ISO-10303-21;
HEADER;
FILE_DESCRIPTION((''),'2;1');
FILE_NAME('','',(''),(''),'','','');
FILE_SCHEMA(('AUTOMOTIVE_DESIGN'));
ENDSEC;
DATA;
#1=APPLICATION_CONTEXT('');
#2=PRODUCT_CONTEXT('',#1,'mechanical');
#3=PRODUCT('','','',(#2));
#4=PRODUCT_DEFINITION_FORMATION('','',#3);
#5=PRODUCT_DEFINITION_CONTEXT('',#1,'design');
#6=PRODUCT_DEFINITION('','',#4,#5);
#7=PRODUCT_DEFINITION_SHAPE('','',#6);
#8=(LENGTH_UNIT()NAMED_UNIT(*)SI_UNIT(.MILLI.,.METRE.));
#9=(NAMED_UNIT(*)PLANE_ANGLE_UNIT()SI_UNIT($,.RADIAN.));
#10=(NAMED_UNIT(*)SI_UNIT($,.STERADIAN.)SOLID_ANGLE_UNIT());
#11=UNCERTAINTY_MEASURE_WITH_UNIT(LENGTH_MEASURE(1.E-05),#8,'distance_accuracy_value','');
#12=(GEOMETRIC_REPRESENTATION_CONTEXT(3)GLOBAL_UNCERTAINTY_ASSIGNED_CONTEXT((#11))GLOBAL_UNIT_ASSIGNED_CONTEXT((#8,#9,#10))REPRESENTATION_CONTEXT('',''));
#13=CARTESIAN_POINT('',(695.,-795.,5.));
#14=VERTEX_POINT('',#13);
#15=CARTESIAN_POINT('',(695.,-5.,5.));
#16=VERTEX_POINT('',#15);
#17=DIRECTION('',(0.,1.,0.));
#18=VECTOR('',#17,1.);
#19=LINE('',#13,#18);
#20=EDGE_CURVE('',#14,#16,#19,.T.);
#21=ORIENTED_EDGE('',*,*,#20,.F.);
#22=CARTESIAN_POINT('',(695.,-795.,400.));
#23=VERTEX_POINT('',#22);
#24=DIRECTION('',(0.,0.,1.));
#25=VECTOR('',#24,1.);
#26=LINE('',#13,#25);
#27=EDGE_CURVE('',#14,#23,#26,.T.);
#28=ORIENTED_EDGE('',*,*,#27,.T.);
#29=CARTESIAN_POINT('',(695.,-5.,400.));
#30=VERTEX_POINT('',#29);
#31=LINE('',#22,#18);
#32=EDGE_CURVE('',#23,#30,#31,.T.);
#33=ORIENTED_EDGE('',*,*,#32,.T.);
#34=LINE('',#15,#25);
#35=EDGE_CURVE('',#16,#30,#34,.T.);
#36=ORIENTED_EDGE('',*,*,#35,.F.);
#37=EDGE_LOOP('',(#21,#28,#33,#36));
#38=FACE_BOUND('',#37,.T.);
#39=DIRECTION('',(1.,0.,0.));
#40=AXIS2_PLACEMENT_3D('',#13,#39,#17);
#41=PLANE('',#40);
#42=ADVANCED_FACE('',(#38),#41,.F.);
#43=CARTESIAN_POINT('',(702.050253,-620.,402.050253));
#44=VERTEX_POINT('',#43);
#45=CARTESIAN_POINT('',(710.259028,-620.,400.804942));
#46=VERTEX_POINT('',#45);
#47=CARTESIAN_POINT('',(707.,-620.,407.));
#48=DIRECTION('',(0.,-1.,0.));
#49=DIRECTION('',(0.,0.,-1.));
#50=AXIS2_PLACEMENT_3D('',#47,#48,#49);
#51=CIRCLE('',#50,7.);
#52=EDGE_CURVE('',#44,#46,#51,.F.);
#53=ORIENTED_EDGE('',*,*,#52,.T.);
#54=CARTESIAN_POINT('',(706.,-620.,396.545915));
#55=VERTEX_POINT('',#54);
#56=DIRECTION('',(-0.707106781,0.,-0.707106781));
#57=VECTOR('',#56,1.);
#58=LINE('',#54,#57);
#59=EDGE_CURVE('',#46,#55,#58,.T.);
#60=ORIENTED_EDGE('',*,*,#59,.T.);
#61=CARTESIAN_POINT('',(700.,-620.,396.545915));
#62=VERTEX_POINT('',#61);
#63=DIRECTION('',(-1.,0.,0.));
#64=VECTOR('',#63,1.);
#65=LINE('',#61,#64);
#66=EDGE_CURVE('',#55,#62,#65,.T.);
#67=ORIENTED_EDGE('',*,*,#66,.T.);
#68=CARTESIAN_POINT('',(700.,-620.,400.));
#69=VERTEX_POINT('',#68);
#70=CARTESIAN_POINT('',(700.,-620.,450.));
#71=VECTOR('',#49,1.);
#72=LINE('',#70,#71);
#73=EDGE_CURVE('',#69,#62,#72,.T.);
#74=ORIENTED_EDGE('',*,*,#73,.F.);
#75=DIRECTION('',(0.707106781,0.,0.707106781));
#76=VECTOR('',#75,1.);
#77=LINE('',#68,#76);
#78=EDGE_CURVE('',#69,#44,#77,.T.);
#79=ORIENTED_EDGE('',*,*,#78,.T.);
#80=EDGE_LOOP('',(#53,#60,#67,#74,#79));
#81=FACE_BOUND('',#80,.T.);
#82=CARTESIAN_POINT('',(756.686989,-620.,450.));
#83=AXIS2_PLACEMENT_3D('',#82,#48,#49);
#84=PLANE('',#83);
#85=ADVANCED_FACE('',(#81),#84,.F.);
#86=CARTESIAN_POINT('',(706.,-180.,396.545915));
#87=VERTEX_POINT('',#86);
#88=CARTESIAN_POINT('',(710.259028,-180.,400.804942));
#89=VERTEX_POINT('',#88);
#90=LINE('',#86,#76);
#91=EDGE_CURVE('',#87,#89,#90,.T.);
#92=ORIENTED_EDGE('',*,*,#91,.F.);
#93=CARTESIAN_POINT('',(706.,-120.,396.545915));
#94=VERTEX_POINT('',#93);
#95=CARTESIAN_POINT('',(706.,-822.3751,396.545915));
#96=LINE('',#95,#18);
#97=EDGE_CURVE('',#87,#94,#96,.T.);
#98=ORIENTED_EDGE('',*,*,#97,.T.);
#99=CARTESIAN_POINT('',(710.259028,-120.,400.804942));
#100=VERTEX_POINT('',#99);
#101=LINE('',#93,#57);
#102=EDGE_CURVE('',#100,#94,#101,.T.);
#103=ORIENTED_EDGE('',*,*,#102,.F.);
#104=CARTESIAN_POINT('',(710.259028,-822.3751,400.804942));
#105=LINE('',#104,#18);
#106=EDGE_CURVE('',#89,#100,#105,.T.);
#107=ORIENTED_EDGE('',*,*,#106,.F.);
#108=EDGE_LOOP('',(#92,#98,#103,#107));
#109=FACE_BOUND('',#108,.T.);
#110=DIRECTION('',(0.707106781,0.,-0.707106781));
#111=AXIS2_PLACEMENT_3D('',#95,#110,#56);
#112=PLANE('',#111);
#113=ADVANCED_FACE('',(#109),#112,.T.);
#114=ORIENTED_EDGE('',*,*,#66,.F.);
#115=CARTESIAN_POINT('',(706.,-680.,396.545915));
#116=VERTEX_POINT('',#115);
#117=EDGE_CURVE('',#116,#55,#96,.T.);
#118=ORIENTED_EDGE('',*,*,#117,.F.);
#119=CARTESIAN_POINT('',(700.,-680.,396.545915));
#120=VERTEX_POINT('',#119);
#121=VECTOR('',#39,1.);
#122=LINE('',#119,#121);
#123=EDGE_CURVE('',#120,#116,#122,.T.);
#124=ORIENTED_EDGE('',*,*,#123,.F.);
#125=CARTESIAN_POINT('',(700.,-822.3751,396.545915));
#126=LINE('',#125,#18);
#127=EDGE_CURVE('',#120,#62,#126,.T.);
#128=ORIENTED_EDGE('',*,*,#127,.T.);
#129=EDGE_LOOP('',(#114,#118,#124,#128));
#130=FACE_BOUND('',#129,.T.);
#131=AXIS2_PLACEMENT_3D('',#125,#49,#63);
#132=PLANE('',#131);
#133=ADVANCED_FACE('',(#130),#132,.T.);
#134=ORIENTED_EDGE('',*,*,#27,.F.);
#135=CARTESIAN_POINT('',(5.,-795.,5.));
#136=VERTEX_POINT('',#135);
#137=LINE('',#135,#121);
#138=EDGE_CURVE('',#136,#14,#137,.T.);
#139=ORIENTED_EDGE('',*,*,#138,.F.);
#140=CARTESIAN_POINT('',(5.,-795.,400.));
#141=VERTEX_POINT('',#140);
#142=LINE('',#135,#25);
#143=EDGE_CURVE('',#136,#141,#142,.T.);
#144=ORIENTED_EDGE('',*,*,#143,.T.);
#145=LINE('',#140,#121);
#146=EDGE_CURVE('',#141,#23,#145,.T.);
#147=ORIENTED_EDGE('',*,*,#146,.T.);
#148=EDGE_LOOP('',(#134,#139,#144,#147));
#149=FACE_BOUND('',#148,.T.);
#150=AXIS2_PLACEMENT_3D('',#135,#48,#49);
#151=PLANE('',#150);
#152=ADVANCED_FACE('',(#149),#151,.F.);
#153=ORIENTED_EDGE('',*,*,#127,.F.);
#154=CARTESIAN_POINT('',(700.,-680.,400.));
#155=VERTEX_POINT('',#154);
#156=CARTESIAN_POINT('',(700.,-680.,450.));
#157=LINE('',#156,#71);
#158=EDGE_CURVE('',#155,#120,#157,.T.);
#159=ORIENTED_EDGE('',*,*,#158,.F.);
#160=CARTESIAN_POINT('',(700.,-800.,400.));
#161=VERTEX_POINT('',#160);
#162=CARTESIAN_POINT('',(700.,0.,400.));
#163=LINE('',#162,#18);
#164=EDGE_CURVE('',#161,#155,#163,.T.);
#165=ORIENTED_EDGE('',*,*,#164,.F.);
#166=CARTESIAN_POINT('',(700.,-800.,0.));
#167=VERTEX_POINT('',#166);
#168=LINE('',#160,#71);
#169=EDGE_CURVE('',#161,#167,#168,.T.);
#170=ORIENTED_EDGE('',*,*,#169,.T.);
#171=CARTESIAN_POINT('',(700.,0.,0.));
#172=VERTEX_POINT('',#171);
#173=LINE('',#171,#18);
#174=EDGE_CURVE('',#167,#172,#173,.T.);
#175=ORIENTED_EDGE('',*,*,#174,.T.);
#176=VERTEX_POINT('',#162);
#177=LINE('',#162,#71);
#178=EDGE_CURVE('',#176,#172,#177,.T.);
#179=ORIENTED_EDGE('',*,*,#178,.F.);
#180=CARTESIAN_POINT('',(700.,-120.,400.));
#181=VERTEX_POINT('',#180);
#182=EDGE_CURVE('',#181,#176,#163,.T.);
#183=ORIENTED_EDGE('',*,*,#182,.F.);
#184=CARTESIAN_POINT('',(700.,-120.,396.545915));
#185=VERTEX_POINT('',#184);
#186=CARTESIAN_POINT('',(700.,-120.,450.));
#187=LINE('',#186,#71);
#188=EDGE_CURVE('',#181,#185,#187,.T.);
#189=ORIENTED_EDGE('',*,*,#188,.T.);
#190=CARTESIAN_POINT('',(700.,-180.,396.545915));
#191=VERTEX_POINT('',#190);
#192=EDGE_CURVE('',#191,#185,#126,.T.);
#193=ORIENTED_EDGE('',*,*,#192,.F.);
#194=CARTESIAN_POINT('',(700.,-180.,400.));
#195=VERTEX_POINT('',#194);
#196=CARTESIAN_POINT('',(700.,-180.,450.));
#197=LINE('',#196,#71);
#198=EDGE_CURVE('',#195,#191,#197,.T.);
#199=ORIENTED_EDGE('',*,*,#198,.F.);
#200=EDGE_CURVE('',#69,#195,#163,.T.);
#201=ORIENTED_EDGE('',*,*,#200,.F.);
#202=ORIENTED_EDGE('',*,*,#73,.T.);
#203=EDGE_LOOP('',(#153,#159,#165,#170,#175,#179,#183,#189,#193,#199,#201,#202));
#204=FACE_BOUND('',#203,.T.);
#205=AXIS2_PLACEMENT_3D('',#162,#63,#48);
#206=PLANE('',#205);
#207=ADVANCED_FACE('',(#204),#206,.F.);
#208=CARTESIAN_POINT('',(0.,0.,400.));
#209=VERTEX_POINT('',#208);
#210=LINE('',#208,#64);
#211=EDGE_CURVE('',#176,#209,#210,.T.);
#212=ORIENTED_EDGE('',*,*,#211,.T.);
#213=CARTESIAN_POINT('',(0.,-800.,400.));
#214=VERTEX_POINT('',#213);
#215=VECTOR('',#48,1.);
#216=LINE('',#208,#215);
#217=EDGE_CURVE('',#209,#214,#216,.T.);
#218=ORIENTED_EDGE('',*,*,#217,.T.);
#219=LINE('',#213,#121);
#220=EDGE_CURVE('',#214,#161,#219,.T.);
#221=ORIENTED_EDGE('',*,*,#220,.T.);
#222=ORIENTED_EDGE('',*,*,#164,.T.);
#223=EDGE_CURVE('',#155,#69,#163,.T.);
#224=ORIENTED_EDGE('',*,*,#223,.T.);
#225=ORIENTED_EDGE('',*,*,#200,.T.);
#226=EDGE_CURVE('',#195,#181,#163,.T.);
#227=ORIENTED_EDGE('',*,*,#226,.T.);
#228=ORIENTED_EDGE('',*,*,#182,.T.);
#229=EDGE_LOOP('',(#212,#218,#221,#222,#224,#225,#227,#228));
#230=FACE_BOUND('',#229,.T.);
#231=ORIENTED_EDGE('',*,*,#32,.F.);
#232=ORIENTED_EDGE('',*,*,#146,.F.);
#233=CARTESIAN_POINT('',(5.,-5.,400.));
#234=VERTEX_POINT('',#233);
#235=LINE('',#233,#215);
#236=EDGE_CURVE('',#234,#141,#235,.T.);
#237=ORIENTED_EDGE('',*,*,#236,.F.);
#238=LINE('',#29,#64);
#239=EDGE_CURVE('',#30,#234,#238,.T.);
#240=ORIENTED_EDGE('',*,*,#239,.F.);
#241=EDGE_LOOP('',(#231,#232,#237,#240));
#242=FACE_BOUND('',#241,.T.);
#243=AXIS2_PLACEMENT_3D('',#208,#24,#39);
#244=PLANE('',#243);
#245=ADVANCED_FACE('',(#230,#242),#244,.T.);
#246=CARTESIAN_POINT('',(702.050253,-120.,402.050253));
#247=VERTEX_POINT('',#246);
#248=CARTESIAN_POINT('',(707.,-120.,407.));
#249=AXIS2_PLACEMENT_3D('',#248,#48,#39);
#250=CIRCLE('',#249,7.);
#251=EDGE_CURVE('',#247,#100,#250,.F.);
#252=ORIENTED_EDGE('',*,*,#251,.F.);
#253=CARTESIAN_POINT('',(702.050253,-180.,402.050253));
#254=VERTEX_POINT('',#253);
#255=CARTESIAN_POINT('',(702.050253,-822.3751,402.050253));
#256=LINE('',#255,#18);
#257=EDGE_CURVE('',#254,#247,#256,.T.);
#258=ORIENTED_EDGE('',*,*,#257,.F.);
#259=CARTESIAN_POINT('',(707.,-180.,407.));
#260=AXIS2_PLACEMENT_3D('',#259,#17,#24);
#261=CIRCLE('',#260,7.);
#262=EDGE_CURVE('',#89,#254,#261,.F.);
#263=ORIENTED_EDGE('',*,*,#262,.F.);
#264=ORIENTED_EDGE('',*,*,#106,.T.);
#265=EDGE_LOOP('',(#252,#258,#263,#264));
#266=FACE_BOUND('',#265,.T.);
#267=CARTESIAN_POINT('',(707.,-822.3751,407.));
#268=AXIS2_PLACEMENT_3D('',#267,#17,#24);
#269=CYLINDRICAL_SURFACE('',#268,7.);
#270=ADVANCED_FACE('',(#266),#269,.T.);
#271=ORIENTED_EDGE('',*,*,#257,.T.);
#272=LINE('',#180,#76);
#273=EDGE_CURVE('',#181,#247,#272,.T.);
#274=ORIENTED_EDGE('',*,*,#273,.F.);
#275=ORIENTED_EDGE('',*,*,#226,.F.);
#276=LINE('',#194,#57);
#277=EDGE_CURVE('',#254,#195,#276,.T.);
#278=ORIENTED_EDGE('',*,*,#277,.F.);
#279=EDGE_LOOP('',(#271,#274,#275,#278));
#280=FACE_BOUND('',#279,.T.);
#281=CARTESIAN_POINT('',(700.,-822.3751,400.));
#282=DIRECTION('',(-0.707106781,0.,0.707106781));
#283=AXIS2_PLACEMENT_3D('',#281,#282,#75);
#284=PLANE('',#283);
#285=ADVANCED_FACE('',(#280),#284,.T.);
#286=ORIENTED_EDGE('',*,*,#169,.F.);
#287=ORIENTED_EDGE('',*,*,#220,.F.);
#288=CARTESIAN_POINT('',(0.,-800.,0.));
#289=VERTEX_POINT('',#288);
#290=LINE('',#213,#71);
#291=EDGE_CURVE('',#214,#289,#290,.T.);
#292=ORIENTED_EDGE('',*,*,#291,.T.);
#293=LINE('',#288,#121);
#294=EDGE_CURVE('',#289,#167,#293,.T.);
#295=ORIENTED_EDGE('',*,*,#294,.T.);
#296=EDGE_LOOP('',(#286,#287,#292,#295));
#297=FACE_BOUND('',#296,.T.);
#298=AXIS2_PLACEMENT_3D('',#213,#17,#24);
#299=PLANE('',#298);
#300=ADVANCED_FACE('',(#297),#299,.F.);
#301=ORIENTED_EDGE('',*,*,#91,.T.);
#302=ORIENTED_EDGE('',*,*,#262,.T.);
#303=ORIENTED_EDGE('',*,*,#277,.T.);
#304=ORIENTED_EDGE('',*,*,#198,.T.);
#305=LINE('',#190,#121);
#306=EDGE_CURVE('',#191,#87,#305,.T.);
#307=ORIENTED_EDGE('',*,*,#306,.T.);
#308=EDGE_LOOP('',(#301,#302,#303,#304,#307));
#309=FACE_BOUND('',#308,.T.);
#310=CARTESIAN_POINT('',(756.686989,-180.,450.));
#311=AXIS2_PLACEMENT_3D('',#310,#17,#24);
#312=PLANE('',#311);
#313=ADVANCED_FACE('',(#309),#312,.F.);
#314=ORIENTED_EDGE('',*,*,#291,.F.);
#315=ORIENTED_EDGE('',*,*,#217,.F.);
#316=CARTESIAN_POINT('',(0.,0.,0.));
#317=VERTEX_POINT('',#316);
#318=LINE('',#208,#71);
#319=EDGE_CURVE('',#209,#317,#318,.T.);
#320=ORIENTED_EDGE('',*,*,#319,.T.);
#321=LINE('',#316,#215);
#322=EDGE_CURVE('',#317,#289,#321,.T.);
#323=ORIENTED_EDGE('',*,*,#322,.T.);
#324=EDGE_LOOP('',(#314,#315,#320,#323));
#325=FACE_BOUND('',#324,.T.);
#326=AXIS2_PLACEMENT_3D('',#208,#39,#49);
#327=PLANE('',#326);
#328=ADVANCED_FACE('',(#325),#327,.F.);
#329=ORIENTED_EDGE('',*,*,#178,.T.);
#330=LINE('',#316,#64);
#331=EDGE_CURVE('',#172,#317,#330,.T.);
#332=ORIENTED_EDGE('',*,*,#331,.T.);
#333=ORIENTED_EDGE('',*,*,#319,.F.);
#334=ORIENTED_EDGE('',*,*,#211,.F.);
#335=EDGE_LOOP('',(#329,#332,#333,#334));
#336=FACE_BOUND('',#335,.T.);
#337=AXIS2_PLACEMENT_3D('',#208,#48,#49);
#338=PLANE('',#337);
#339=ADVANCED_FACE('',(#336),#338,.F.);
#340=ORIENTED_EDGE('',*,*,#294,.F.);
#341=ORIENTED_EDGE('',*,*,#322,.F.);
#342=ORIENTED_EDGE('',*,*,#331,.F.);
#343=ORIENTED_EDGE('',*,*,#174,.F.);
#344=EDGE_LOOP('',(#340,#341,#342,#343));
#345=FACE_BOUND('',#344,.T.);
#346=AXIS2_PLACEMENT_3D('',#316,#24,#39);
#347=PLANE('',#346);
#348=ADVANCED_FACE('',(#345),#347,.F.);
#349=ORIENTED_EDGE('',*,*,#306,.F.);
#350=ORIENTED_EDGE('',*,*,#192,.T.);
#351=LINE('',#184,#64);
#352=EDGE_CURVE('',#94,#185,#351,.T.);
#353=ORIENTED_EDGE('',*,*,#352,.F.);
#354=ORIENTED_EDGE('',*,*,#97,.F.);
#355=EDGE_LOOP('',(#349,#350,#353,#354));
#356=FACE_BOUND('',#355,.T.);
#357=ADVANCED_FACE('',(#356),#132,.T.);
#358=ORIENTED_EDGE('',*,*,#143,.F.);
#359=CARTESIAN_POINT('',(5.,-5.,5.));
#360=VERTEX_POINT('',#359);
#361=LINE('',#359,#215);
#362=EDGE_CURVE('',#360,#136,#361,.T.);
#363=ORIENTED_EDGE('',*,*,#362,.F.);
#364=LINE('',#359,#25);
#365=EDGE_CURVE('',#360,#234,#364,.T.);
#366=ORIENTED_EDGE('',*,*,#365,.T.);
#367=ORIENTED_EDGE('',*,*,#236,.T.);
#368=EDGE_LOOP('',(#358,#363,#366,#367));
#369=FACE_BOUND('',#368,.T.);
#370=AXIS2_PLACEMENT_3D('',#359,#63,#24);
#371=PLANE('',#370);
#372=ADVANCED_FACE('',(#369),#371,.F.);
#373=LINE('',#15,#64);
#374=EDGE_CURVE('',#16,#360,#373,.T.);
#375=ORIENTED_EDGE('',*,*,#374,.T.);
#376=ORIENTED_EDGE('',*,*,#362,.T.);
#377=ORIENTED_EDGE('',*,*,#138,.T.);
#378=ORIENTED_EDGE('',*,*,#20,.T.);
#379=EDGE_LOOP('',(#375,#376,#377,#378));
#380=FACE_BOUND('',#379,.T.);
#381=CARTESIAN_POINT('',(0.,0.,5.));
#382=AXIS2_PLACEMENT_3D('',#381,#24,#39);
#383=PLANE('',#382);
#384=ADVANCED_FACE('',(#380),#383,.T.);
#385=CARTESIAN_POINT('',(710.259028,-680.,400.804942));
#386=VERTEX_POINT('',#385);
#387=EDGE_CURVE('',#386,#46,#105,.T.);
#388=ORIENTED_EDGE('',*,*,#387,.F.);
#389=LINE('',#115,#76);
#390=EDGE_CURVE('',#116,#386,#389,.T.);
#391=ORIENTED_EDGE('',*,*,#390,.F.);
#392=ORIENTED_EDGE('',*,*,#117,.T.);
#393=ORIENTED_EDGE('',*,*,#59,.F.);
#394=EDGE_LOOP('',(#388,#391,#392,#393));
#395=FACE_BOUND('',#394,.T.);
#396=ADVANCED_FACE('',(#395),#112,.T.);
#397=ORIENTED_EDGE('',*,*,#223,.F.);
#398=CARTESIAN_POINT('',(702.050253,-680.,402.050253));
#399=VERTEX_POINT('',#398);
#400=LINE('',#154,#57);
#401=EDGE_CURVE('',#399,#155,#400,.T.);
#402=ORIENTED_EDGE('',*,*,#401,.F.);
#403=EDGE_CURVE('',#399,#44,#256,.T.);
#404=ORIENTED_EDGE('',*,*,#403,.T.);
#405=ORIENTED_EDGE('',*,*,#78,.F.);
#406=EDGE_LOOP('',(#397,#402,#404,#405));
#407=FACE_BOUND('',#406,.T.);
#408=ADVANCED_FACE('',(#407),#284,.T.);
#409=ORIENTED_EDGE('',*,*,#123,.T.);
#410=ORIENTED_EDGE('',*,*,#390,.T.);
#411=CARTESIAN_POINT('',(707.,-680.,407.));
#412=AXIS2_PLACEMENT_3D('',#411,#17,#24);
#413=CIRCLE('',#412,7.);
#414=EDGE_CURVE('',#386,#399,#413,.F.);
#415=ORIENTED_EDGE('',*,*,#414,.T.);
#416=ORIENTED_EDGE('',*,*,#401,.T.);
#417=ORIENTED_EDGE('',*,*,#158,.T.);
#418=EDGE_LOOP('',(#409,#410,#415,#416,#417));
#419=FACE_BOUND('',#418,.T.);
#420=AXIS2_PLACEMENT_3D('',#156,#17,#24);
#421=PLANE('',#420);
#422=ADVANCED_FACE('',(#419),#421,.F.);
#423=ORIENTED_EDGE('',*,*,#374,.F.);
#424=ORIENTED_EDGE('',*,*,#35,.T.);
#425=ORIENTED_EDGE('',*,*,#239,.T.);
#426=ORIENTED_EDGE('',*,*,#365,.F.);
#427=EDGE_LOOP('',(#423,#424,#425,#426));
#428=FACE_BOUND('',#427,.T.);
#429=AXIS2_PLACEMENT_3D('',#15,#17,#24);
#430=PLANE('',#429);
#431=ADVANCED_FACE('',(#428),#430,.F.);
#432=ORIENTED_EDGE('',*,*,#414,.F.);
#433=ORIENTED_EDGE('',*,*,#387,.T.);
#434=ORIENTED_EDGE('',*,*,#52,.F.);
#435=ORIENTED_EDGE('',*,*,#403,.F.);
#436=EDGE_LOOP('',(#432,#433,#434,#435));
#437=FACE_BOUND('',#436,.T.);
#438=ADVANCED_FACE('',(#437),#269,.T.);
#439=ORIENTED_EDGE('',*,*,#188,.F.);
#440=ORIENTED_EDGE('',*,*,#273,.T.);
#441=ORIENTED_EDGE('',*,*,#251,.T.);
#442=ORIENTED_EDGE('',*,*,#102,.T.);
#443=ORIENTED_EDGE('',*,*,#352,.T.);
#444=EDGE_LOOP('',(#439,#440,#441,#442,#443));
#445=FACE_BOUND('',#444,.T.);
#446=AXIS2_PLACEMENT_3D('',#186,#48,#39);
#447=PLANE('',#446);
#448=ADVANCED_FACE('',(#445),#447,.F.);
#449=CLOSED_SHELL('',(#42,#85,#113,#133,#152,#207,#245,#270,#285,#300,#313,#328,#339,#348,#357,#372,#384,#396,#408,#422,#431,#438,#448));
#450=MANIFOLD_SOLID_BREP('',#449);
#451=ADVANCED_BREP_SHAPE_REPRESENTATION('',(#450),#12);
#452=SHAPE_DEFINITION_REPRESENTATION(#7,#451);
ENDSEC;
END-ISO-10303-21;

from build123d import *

# Parameters (mm, degrees)
CROQUIS1_W              = 700
CROQUIS1_H              = 800
SALIENTE_EXTRUIR1_DEPTH = 400
CROQUIS2_W              = 690
CROQUIS2_H              = 790
CORTAR_EXTRUIR1_DEPTH   = 395
SALIENTE_EXTRUIR2_DEPTH = 800
CROQUIS4_W              = 56.686989083
CROQUIS4_H              = 120
CROQUIS4_H_2            = 440
CORTAR_EXTRUIR2_DEPTH   = 450


with BuildPart() as part:
    # Croquis1 → Saliente-Extruir1 (new body)
    with BuildSketch(Plane.XY):
        with Locations((350, -400)):
            Rectangle(CROQUIS1_W, CROQUIS1_H)
    extrude(amount=SALIENTE_EXTRUIR1_DEPTH)

    # Croquis2 → Cortar-Extruir1 (cut)
    with BuildSketch(Plane.XY.offset(400)):
        with Locations((350, -400)):
            Rectangle(CROQUIS2_W, CROQUIS2_H)
    extrude(amount=-CORTAR_EXTRUIR1_DEPTH, mode=Mode.SUBTRACT)

    # Croquis3 → Saliente-Extruir2 (add)
    with BuildSketch(Plane(origin=(0, 0, 0), x_dir=(1, 0, 0), z_dir=(0, 1, 0))):
        with BuildLine():
            Line((700, -396.545914708), (706, -396.545914708))
            Line((706, -396.545914708), (710.25902772, -400.804942428))
            ThreePointArc((710.25902772, -400.804942428), (708.049920297, -413.920814068), (702.050252532, -402.050252532))
            Line((702.050252532, -402.050252532), (700, -400))
            Line((700, -400), (700, -396.545914708))
        make_face()
    extrude(amount=-SALIENTE_EXTRUIR2_DEPTH)

    # Croquis4 → Cortar-Extruir2 (cut)
    with BuildSketch(Plane(origin=(0, 0, 0), x_dir=(-1, 0, 0), z_dir=(0, 0, -1))):
        with Locations((-728.343494542, -60)):
            Rectangle(CROQUIS4_W, CROQUIS4_H)
        with Locations((-728.343494542, -740)):
            Rectangle(CROQUIS4_W, CROQUIS4_H)
        with Locations((-728.343494542, -400)):
            Rectangle(CROQUIS4_W, CROQUIS4_H_2)
    extrude(amount=-CORTAR_EXTRUIR2_DEPTH, mode=Mode.SUBTRACT)


solid = part.part
